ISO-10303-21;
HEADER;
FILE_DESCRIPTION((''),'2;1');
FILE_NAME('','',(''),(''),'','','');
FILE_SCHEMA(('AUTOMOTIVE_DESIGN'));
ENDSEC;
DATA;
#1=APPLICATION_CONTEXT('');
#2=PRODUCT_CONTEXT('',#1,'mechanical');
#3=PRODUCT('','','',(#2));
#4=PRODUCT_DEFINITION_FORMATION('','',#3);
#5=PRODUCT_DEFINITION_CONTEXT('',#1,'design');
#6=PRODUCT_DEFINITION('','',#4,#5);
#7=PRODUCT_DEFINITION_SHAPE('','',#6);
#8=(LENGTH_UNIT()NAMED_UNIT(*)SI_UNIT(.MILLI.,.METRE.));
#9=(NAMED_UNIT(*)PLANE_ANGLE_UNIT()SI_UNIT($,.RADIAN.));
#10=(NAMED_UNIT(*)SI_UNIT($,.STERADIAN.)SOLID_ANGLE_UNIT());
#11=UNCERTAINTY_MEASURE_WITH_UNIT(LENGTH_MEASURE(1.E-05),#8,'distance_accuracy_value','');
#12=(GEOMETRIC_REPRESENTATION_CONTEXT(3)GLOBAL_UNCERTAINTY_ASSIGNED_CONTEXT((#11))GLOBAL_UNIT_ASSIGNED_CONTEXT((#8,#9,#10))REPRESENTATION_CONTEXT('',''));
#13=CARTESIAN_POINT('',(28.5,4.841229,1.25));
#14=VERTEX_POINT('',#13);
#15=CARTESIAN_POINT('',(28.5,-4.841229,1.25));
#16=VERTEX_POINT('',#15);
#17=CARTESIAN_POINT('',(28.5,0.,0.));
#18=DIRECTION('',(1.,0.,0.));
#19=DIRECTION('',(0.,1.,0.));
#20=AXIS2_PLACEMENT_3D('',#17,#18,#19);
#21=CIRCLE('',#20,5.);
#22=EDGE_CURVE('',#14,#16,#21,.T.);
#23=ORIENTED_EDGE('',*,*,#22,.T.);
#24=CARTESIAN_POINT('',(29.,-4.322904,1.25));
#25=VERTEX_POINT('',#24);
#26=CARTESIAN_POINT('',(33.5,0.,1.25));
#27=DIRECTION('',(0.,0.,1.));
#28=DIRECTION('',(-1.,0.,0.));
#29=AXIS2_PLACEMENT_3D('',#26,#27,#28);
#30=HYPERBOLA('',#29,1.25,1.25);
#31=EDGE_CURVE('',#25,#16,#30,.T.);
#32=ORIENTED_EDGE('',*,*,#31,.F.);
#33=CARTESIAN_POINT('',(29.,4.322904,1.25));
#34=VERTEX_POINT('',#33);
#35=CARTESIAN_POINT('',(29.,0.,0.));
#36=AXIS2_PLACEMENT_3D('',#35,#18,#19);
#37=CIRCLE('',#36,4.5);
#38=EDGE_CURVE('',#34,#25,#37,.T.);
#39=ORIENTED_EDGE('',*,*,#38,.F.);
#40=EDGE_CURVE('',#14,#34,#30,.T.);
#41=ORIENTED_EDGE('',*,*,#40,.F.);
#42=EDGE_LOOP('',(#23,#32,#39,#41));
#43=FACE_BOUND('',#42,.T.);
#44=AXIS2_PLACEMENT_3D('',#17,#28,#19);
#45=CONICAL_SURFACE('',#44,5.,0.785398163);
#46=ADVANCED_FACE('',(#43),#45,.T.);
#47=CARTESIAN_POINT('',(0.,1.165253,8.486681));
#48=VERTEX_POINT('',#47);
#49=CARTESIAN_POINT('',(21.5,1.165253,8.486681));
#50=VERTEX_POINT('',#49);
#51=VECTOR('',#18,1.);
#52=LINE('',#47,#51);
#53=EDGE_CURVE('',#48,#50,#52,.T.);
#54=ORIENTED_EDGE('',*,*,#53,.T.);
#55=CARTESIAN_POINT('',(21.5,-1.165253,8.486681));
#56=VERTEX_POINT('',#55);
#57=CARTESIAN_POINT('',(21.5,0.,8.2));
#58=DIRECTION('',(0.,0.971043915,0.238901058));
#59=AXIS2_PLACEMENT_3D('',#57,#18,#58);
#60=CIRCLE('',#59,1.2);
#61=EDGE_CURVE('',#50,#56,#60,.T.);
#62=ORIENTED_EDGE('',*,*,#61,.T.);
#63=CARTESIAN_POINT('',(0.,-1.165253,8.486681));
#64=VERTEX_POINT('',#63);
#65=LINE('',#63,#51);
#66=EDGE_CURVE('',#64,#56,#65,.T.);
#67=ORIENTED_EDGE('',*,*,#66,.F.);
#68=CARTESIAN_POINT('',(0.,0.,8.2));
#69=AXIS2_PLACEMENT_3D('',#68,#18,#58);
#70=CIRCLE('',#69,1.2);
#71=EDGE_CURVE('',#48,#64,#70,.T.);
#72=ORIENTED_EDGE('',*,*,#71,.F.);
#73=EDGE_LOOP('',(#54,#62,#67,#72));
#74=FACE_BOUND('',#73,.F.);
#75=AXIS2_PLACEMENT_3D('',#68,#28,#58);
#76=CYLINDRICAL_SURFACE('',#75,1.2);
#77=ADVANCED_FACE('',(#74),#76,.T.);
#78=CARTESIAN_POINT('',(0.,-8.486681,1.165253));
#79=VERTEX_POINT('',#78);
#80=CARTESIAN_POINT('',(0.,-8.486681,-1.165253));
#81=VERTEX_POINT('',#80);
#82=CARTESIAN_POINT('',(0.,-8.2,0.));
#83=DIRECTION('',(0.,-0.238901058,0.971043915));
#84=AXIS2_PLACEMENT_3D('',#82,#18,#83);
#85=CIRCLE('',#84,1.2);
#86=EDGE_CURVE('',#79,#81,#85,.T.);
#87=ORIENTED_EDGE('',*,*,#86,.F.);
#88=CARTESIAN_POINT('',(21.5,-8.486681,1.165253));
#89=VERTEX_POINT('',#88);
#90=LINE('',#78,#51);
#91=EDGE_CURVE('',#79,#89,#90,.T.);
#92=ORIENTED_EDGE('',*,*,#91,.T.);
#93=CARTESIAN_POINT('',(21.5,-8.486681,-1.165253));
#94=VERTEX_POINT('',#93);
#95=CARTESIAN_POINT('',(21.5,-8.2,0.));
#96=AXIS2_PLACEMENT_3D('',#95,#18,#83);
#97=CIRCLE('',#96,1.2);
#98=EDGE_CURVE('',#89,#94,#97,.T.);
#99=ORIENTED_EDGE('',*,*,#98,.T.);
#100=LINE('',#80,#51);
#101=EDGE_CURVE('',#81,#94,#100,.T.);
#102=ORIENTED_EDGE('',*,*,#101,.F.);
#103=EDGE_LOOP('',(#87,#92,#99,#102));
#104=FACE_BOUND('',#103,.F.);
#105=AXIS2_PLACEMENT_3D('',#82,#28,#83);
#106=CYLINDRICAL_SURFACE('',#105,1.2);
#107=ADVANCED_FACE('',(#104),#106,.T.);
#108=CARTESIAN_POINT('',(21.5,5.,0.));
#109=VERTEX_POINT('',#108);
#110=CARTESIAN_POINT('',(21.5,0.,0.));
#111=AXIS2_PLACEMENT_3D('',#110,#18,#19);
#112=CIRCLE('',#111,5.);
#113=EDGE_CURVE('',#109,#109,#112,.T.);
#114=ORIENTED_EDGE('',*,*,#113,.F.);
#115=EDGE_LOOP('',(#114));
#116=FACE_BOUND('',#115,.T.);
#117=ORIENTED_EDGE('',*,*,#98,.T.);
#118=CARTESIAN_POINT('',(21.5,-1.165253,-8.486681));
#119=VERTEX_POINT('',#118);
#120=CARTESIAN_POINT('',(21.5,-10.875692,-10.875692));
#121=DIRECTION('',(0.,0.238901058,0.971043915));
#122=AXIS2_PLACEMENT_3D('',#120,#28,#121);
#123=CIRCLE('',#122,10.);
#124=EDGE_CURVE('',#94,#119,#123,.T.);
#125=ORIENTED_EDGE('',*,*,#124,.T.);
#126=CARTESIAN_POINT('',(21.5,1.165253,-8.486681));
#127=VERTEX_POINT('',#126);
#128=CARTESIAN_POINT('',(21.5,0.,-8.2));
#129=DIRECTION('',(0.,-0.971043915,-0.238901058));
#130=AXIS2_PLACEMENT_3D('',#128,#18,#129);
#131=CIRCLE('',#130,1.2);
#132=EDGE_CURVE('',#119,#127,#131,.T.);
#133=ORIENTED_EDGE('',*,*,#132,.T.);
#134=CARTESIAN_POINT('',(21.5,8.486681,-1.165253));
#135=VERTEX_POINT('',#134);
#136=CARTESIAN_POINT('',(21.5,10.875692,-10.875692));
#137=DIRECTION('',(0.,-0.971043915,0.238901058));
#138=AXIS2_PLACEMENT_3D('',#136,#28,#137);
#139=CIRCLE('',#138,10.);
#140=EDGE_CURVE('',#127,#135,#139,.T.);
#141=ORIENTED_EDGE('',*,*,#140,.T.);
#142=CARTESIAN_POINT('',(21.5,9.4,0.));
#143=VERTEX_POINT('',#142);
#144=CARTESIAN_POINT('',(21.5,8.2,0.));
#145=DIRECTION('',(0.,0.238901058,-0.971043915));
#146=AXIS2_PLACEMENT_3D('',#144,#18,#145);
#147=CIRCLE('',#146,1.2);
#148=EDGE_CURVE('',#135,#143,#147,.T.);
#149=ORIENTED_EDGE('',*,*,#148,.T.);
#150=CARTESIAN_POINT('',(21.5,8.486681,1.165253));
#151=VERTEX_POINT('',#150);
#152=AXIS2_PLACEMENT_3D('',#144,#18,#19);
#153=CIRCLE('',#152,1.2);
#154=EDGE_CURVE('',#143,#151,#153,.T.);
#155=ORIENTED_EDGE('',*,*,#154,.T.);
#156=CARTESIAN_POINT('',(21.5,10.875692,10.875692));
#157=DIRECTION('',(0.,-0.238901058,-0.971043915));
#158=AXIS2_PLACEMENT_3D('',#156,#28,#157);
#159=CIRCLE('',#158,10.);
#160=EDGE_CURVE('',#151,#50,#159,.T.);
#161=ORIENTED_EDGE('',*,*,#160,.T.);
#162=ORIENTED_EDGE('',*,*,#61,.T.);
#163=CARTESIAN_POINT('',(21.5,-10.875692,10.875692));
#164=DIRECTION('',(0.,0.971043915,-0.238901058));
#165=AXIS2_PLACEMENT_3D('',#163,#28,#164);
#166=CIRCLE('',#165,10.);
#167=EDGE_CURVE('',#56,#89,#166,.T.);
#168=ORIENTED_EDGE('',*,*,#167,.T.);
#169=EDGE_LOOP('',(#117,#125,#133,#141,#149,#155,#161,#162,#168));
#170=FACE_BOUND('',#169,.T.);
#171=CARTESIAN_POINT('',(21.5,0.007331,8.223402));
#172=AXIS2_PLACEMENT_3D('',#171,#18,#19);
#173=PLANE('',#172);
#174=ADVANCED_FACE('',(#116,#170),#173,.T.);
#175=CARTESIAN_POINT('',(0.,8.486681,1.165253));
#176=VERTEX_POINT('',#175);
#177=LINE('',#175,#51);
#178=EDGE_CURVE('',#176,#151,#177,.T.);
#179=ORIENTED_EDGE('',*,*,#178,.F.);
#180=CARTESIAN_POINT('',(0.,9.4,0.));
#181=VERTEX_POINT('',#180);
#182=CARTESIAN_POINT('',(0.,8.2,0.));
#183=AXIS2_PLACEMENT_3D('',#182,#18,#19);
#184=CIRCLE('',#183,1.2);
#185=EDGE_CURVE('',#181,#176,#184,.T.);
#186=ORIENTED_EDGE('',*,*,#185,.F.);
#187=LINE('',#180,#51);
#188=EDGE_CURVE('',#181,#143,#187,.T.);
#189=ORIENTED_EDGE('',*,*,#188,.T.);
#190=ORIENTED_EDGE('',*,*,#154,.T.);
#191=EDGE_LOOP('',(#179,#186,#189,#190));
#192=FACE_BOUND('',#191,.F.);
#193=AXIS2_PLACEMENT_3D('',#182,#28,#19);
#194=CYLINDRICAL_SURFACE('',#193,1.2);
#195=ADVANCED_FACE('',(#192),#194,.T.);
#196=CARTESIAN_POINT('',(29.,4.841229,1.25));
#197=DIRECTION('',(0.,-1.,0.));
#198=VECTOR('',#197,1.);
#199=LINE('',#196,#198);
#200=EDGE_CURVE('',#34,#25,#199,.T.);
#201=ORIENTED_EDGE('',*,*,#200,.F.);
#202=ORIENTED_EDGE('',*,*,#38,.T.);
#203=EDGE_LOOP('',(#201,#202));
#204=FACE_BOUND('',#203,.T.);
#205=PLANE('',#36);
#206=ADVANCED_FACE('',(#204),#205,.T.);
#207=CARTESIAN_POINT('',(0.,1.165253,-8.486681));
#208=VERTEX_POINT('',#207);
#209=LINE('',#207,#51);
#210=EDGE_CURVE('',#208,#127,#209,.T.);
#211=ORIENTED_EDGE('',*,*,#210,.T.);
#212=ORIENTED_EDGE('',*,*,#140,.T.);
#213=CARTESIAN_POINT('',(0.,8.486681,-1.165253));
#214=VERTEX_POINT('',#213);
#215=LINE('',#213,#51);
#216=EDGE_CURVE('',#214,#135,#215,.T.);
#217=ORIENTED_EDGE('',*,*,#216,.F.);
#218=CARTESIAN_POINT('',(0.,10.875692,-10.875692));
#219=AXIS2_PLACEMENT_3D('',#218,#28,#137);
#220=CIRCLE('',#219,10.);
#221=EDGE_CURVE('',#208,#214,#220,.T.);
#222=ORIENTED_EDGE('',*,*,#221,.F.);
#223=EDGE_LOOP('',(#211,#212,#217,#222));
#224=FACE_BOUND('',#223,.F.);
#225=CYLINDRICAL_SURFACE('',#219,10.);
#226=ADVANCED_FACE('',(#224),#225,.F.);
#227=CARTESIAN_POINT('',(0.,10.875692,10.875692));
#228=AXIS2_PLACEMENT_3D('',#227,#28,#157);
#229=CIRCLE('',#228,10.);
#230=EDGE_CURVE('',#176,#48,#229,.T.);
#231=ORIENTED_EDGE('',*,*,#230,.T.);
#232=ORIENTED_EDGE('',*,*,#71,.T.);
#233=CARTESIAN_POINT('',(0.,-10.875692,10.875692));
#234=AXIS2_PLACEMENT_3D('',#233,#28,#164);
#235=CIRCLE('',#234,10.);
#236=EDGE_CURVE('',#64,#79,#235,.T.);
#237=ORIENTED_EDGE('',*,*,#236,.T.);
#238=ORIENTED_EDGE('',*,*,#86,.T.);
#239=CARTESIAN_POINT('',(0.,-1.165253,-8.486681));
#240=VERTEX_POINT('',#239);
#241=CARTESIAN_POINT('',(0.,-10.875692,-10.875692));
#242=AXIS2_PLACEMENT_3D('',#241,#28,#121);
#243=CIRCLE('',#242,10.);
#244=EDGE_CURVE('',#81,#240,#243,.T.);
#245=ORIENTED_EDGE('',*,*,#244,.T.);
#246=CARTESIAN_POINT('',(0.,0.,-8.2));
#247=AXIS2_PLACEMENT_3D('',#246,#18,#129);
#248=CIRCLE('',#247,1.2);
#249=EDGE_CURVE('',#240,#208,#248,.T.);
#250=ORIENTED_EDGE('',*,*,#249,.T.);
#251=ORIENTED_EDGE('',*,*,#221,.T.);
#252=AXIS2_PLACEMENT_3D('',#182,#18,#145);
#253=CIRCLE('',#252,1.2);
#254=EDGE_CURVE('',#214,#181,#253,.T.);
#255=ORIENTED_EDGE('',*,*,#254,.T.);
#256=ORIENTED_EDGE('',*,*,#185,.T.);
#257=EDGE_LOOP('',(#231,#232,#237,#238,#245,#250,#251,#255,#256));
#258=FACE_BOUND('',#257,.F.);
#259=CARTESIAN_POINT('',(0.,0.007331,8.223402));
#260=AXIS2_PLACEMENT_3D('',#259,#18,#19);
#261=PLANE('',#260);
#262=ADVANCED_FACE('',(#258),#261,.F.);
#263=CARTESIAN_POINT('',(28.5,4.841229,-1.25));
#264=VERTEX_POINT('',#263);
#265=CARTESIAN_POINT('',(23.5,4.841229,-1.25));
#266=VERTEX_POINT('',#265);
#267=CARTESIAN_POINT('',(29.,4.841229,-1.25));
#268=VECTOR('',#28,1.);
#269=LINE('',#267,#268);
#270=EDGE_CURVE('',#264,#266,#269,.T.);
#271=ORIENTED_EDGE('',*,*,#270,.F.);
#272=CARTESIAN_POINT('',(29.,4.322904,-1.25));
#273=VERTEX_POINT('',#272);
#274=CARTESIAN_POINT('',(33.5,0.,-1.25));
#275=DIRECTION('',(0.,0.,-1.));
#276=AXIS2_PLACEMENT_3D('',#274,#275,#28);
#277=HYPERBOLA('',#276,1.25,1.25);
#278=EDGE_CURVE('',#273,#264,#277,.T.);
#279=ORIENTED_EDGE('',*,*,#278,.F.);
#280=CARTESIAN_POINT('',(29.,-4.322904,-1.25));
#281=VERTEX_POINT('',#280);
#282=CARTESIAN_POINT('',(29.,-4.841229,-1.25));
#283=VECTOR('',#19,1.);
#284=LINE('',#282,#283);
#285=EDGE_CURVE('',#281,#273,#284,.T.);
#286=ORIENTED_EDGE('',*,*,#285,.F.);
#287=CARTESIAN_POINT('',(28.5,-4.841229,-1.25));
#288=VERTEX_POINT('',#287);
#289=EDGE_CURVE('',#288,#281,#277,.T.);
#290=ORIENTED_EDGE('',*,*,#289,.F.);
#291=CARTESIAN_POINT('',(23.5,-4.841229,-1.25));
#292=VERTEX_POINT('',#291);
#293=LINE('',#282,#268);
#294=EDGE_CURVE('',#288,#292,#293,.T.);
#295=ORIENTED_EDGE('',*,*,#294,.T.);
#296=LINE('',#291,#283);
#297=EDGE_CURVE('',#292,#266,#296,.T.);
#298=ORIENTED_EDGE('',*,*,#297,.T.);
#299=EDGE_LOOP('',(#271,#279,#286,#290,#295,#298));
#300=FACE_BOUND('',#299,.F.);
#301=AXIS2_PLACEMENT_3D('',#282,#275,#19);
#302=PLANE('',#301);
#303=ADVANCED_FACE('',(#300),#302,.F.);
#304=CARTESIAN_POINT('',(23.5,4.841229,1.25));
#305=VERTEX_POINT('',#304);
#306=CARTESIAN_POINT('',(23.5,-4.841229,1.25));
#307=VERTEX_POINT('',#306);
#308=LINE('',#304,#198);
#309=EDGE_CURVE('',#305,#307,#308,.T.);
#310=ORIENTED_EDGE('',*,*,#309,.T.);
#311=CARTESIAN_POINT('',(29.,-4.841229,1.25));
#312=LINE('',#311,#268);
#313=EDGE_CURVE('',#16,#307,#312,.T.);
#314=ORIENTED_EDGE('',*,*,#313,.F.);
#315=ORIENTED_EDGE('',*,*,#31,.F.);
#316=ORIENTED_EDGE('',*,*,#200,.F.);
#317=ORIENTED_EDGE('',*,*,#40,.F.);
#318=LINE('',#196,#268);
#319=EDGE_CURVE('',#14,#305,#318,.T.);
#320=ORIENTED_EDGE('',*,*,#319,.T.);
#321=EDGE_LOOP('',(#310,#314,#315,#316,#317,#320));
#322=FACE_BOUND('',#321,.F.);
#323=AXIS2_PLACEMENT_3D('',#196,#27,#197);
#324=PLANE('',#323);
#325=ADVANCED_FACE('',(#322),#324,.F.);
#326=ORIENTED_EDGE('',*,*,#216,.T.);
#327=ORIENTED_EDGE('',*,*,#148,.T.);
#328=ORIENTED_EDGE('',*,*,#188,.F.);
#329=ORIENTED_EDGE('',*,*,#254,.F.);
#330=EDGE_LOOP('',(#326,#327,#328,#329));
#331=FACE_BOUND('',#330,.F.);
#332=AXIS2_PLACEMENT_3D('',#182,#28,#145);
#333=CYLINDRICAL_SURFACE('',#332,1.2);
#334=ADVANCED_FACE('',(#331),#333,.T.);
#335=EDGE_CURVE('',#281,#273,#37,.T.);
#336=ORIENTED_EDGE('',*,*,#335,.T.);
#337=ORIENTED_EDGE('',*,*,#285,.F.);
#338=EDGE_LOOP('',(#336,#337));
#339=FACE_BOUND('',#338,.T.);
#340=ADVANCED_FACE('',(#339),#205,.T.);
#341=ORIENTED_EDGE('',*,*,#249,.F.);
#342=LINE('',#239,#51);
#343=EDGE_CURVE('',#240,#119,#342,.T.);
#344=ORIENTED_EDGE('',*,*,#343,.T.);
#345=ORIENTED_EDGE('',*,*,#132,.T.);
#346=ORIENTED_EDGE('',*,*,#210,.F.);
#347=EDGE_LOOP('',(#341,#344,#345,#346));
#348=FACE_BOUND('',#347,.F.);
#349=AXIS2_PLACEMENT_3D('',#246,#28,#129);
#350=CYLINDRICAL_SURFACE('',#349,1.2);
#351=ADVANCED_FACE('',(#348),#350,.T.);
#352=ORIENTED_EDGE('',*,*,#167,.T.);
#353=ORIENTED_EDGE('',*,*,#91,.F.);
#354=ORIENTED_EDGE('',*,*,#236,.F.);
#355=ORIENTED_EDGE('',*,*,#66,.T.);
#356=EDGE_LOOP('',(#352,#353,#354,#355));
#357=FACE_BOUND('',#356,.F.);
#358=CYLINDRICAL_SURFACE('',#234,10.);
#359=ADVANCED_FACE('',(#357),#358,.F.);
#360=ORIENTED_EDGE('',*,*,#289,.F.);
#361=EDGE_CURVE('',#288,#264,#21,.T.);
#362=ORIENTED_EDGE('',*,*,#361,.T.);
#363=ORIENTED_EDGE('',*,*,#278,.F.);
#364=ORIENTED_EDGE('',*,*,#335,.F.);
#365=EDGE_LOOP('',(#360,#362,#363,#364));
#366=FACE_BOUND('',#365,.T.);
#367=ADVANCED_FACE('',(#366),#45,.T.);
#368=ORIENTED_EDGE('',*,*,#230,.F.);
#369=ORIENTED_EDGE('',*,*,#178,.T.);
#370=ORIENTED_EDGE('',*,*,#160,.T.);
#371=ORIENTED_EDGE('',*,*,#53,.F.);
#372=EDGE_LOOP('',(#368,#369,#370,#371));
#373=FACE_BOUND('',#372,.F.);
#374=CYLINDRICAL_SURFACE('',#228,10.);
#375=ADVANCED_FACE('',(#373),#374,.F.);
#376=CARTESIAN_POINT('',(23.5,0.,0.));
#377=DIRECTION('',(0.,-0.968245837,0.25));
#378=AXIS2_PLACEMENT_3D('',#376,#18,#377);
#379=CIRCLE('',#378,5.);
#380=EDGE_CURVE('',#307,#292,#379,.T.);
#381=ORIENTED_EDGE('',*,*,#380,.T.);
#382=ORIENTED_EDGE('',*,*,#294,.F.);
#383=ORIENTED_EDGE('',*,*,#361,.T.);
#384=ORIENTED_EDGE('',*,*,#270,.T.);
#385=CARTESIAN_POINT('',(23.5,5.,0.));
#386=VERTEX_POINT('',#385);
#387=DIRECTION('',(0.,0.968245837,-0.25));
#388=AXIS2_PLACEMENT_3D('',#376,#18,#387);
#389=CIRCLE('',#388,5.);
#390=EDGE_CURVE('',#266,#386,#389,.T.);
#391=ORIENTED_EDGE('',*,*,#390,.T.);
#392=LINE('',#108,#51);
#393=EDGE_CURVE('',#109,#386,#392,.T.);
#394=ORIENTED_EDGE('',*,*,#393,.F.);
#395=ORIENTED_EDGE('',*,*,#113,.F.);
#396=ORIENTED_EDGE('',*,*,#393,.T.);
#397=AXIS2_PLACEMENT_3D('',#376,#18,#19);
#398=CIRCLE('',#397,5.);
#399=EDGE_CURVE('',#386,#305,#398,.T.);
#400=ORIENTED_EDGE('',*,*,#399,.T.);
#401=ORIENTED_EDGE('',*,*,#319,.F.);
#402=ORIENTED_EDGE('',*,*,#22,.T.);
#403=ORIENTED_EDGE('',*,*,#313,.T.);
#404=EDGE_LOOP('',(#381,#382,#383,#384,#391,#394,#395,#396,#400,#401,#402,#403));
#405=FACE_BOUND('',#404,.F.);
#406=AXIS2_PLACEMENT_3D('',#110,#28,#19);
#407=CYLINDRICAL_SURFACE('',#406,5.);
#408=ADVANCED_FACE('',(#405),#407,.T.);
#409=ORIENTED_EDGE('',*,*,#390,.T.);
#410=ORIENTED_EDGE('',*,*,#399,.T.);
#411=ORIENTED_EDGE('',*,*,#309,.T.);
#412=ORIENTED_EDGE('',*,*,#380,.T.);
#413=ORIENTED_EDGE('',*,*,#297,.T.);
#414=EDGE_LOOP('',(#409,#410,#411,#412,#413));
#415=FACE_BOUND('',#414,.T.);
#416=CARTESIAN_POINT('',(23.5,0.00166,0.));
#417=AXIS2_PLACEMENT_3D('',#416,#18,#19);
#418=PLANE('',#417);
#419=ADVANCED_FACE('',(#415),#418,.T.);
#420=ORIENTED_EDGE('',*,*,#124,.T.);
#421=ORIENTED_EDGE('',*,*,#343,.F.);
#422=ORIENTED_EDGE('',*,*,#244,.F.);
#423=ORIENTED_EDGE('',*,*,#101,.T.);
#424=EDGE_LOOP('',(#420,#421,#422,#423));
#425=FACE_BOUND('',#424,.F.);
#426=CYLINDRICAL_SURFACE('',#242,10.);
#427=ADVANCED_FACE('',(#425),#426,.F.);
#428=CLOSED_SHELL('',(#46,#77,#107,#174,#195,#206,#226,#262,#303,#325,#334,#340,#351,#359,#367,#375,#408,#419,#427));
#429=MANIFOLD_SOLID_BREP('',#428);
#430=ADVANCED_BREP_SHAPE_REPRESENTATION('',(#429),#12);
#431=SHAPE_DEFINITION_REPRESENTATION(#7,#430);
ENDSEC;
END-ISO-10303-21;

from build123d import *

# Parameters (mm, degrees)
F1_DEPTH = 21.5
F2_R     = 5
F3_DEPTH = 7.5
F4_SIZE  = 0.5
F6_DEPTH = 5.5


with BuildPart() as f1:
    # F0 (on Right) → F1 (new body)
    with BuildSketch(Plane.YZ):
        with BuildLine():
            ThreePointArc((-1.1652526978, 8.4866812693), (-0.1443896855, 7.0087184973), (1.2, 8.2))
            ThreePointArc((1.2, 8.2), (1.1912815027, 8.3443896855), (1.1652526978, 8.4866812693))
            ThreePointArc((1.1652526978, 8.4866812693), (0, 9.4), (-1.1652526978, 8.4866812693))
        make_face()
        with BuildLine():
            ThreePointArc((1.1652526978, 8.4866812693), (1.1912815027, 8.3443896855), (1.2, 8.2))
            ThreePointArc((1.2, 8.2), (-0.1443896855, 7.0087184973), (-1.1652526978, 8.4866812693))
            ThreePointArc((-1.1652526978, 8.4866812693), (-3.8046240347, 3.8046240347), (-8.4866812693, 1.1652526978))
            ThreePointArc((-8.4866812693, 1.1652526978), (-7.4597356969, 0.9444621547), (-7, 0))
            ThreePointArc((-7, 0), (-7.4597356969, -0.9444621547), (-8.4866812693, -1.1652526978))
            ThreePointArc((-8.4866812693, -1.1652526978), (-3.8046240347, -3.8046240347), (-1.1652526978, -8.4866812693))
            ThreePointArc((-1.1652526978, -8.4866812693), (-0.1443896855, -7.0087184973), (1.2, -8.2))
            ThreePointArc((1.2, -8.2), (1.1912815027, -8.3443896855), (1.1652526978, -8.4866812693))
            ThreePointArc((1.1652526978, -8.4866812693), (3.8046240347, -3.8046240347), (8.4866812693, -1.1652526978))
            ThreePointArc((8.4866812693, -1.1652526978), (7, 0), (8.4866812693, 1.1652526978))
            ThreePointArc((8.4866812693, 1.1652526978), (3.8046240347, 3.8046240347), (1.1652526978, 8.4866812693))
        make_face()
        with BuildLine():
            ThreePointArc((9.4, 0), (9.1444621547, 0.7402643031), (8.4866812693, 1.1652526978))
            ThreePointArc((8.4866812693, 1.1652526978), (7, 0), (8.4866812693, -1.1652526978))
            ThreePointArc((8.4866812693, -1.1652526978), (9.1444621547, -0.7402643031), (9.4, 0))
        make_face()
        with BuildLine():
            ThreePointArc((-7, 0), (-7.4597356969, 0.9444621547), (-8.4866812693, 1.1652526978))
            ThreePointArc((-8.4866812693, 1.1652526978), (-9.4, 0), (-8.4866812693, -1.1652526978))
            ThreePointArc((-8.4866812693, -1.1652526978), (-7.4597356969, -0.9444621547), (-7, 0))
        make_face()
        with BuildLine():
            ThreePointArc((-1.1652526978, -8.4866812693), (0, -9.4), (1.1652526978, -8.4866812693))
            ThreePointArc((1.1652526978, -8.4866812693), (1.1912815027, -8.3443896855), (1.2, -8.2))
            ThreePointArc((1.2, -8.2), (-0.1443896855, -7.0087184973), (-1.1652526978, -8.4866812693))
        make_face()
    extrude(amount=F1_DEPTH)

    # F2 (on face) → F3 (join)
    with BuildSketch(Plane.YZ.offset(21.5)):
        Circle(F2_R)
    extrude(amount=F3_DEPTH)

    # F4
    f4_edges = [f1.edges().sort_by_distance(p)[0] for p in [
        (29, -5, 0),
    ]]
    chamfer(f4_edges, length=F4_SIZE)

    # F5 (on face) → F6 (cut)
    with BuildSketch(Plane.YZ.offset(29)):
        with BuildLine():
            ThreePointArc((4.5, 0), (4.4555060613, 0.6312414261), (4.3229041164, 1.25))
            Line((4.3229041164, 1.25), (-4.3229041164, 1.25))
            ThreePointArc((-4.3229041164, 1.25), (-4.5, 0), (-4.3229041164, -1.25))
            Line((-4.3229041164, -1.25), (4.3229041164, -1.25))
            ThreePointArc((4.3229041164, -1.25), (4.4555060613, -0.6312414261), (4.5, 0))
        make_face()
        with BuildLine():
            Line((-4.3229041164, 1.25), (-4.8412291828, 1.25))
            ThreePointArc((-4.8412291828, 1.25), (-5, 0), (-4.8412291828, -1.25))
            Line((-4.8412291828, -1.25), (-4.3229041164, -1.25))
            ThreePointArc((-4.3229041164, -1.25), (-4.5, 0), (-4.3229041164, 1.25))
        make_face()
        with BuildLine():
            ThreePointArc((4.8412291828, -1.25), (4.9601484813, -0.6300214624), (5, 0))
            ThreePointArc((5, 0), (4.9601484813, 0.6300214624), (4.8412291828, 1.25))
            Line((4.8412291828, 1.25), (4.3229041164, 1.25))
            ThreePointArc((4.3229041164, 1.25), (4.4555060613, 0.6312414261), (4.5, 0))
            ThreePointArc((4.5, 0), (4.4555060613, -0.6312414261), (4.3229041164, -1.25))
            Line((4.3229041164, -1.25), (4.8412291828, -1.25))
        make_face()
    extrude(amount=-F6_DEPTH, mode=Mode.SUBTRACT)


solid = f1.part
